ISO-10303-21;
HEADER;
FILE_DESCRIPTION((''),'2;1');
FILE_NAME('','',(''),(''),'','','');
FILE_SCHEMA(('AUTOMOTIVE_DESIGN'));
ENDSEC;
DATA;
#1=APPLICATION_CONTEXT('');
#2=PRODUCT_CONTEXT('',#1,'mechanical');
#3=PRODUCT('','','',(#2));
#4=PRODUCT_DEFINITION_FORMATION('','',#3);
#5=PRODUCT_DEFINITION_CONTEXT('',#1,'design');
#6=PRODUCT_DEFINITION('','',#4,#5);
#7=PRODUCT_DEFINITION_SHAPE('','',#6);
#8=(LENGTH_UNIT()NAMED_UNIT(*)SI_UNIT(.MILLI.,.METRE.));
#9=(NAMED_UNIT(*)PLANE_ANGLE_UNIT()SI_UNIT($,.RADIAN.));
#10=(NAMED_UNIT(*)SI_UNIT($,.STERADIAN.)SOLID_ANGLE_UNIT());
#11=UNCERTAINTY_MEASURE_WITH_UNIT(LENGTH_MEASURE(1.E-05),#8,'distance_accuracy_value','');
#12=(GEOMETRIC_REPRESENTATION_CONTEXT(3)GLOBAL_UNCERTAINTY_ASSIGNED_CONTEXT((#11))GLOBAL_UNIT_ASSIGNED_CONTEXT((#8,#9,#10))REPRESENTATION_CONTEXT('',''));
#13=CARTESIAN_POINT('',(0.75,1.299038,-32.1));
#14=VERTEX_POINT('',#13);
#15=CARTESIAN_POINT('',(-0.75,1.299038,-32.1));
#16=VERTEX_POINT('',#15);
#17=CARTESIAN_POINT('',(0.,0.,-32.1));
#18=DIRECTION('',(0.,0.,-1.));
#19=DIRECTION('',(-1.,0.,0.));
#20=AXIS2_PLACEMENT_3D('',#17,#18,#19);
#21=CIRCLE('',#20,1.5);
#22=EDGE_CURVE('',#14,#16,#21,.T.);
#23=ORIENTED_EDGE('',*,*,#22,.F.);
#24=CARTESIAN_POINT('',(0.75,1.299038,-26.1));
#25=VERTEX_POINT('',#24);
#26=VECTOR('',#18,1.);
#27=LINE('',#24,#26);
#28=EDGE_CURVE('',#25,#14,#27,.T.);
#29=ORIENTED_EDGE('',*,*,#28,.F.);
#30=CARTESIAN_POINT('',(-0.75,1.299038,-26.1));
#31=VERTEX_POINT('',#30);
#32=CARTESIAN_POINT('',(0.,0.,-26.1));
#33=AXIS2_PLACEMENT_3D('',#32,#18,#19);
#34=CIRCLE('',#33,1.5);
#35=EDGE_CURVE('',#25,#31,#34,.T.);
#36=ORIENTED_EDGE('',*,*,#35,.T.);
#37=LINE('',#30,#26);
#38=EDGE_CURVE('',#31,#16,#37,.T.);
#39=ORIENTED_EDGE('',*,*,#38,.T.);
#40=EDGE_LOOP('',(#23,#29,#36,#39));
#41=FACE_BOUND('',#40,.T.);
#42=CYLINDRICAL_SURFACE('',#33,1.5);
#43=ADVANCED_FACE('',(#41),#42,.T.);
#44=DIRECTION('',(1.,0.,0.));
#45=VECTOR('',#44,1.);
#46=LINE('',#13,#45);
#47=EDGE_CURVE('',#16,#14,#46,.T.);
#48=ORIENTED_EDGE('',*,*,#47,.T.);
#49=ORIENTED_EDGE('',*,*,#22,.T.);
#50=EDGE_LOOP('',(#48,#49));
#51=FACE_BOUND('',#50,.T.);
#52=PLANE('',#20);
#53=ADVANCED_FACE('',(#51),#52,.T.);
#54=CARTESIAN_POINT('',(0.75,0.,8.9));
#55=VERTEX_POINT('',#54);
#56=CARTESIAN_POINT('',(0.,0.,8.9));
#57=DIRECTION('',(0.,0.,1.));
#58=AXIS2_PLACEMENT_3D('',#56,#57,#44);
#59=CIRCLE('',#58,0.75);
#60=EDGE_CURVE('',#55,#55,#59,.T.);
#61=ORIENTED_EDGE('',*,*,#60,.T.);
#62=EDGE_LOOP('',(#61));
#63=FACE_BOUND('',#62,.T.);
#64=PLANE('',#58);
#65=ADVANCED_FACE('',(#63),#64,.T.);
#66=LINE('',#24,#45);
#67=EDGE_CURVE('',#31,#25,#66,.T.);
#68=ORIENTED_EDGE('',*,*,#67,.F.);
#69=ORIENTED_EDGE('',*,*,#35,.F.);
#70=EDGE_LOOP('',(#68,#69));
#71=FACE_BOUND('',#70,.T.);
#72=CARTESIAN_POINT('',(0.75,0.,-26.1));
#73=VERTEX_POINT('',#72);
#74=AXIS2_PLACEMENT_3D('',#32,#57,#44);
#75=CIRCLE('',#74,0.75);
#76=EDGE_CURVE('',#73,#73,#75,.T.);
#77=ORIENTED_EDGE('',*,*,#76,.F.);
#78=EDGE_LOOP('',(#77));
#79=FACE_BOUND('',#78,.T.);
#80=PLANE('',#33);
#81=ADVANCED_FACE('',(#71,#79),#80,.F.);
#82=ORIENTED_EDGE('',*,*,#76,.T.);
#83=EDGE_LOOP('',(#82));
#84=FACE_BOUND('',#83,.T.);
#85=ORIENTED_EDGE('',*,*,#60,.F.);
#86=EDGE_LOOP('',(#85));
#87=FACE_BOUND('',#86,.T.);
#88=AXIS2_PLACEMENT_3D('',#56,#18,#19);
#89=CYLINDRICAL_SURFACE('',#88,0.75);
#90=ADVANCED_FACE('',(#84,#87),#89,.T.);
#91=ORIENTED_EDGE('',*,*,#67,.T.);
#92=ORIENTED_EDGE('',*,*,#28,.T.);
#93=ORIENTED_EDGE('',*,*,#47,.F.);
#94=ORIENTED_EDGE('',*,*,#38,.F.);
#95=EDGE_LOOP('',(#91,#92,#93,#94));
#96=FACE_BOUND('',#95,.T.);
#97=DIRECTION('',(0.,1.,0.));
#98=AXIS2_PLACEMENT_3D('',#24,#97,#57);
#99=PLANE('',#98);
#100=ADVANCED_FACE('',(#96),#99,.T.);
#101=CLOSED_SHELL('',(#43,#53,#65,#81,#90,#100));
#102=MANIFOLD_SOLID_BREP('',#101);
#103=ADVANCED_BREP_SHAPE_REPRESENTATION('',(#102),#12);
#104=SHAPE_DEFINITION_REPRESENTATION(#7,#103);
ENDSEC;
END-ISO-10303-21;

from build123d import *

# Parameters (mm, degrees)
EXTRUDE_1_DEPTH      = 4
EXTRUDE_1_DEPTH_BACK = 2
SKETCH_3_R           = 0.75
EXTRUDE_2_DEPTH      = 35


with BuildPart() as part:
    # Эскиз2 → Бобышка-Вытянуть1 (new, two sides: drawn at the far end of the back side and taken through both)
    with BuildSketch(Plane(origin=(0, 0, -28.1), x_dir=(-1, 0, 0), z_dir=(0, 0, -1)).offset(-EXTRUDE_1_DEPTH_BACK)):
        with BuildLine():
            Line((-0.75, 1.299038106), (0.75, 1.299038106))
            ThreePointArc((0.75, 1.299038106), (0, -1.5), (-0.75, 1.299038106))
        make_face()
    extrude(amount=EXTRUDE_1_DEPTH + EXTRUDE_1_DEPTH_BACK)

    # Эскиз3 → Бобышка-Вытянуть2 (add)
    with BuildSketch(Plane.XY.offset(-26.1)):
        Circle(SKETCH_3_R)
    extrude(amount=EXTRUDE_2_DEPTH)


solid = part.part
